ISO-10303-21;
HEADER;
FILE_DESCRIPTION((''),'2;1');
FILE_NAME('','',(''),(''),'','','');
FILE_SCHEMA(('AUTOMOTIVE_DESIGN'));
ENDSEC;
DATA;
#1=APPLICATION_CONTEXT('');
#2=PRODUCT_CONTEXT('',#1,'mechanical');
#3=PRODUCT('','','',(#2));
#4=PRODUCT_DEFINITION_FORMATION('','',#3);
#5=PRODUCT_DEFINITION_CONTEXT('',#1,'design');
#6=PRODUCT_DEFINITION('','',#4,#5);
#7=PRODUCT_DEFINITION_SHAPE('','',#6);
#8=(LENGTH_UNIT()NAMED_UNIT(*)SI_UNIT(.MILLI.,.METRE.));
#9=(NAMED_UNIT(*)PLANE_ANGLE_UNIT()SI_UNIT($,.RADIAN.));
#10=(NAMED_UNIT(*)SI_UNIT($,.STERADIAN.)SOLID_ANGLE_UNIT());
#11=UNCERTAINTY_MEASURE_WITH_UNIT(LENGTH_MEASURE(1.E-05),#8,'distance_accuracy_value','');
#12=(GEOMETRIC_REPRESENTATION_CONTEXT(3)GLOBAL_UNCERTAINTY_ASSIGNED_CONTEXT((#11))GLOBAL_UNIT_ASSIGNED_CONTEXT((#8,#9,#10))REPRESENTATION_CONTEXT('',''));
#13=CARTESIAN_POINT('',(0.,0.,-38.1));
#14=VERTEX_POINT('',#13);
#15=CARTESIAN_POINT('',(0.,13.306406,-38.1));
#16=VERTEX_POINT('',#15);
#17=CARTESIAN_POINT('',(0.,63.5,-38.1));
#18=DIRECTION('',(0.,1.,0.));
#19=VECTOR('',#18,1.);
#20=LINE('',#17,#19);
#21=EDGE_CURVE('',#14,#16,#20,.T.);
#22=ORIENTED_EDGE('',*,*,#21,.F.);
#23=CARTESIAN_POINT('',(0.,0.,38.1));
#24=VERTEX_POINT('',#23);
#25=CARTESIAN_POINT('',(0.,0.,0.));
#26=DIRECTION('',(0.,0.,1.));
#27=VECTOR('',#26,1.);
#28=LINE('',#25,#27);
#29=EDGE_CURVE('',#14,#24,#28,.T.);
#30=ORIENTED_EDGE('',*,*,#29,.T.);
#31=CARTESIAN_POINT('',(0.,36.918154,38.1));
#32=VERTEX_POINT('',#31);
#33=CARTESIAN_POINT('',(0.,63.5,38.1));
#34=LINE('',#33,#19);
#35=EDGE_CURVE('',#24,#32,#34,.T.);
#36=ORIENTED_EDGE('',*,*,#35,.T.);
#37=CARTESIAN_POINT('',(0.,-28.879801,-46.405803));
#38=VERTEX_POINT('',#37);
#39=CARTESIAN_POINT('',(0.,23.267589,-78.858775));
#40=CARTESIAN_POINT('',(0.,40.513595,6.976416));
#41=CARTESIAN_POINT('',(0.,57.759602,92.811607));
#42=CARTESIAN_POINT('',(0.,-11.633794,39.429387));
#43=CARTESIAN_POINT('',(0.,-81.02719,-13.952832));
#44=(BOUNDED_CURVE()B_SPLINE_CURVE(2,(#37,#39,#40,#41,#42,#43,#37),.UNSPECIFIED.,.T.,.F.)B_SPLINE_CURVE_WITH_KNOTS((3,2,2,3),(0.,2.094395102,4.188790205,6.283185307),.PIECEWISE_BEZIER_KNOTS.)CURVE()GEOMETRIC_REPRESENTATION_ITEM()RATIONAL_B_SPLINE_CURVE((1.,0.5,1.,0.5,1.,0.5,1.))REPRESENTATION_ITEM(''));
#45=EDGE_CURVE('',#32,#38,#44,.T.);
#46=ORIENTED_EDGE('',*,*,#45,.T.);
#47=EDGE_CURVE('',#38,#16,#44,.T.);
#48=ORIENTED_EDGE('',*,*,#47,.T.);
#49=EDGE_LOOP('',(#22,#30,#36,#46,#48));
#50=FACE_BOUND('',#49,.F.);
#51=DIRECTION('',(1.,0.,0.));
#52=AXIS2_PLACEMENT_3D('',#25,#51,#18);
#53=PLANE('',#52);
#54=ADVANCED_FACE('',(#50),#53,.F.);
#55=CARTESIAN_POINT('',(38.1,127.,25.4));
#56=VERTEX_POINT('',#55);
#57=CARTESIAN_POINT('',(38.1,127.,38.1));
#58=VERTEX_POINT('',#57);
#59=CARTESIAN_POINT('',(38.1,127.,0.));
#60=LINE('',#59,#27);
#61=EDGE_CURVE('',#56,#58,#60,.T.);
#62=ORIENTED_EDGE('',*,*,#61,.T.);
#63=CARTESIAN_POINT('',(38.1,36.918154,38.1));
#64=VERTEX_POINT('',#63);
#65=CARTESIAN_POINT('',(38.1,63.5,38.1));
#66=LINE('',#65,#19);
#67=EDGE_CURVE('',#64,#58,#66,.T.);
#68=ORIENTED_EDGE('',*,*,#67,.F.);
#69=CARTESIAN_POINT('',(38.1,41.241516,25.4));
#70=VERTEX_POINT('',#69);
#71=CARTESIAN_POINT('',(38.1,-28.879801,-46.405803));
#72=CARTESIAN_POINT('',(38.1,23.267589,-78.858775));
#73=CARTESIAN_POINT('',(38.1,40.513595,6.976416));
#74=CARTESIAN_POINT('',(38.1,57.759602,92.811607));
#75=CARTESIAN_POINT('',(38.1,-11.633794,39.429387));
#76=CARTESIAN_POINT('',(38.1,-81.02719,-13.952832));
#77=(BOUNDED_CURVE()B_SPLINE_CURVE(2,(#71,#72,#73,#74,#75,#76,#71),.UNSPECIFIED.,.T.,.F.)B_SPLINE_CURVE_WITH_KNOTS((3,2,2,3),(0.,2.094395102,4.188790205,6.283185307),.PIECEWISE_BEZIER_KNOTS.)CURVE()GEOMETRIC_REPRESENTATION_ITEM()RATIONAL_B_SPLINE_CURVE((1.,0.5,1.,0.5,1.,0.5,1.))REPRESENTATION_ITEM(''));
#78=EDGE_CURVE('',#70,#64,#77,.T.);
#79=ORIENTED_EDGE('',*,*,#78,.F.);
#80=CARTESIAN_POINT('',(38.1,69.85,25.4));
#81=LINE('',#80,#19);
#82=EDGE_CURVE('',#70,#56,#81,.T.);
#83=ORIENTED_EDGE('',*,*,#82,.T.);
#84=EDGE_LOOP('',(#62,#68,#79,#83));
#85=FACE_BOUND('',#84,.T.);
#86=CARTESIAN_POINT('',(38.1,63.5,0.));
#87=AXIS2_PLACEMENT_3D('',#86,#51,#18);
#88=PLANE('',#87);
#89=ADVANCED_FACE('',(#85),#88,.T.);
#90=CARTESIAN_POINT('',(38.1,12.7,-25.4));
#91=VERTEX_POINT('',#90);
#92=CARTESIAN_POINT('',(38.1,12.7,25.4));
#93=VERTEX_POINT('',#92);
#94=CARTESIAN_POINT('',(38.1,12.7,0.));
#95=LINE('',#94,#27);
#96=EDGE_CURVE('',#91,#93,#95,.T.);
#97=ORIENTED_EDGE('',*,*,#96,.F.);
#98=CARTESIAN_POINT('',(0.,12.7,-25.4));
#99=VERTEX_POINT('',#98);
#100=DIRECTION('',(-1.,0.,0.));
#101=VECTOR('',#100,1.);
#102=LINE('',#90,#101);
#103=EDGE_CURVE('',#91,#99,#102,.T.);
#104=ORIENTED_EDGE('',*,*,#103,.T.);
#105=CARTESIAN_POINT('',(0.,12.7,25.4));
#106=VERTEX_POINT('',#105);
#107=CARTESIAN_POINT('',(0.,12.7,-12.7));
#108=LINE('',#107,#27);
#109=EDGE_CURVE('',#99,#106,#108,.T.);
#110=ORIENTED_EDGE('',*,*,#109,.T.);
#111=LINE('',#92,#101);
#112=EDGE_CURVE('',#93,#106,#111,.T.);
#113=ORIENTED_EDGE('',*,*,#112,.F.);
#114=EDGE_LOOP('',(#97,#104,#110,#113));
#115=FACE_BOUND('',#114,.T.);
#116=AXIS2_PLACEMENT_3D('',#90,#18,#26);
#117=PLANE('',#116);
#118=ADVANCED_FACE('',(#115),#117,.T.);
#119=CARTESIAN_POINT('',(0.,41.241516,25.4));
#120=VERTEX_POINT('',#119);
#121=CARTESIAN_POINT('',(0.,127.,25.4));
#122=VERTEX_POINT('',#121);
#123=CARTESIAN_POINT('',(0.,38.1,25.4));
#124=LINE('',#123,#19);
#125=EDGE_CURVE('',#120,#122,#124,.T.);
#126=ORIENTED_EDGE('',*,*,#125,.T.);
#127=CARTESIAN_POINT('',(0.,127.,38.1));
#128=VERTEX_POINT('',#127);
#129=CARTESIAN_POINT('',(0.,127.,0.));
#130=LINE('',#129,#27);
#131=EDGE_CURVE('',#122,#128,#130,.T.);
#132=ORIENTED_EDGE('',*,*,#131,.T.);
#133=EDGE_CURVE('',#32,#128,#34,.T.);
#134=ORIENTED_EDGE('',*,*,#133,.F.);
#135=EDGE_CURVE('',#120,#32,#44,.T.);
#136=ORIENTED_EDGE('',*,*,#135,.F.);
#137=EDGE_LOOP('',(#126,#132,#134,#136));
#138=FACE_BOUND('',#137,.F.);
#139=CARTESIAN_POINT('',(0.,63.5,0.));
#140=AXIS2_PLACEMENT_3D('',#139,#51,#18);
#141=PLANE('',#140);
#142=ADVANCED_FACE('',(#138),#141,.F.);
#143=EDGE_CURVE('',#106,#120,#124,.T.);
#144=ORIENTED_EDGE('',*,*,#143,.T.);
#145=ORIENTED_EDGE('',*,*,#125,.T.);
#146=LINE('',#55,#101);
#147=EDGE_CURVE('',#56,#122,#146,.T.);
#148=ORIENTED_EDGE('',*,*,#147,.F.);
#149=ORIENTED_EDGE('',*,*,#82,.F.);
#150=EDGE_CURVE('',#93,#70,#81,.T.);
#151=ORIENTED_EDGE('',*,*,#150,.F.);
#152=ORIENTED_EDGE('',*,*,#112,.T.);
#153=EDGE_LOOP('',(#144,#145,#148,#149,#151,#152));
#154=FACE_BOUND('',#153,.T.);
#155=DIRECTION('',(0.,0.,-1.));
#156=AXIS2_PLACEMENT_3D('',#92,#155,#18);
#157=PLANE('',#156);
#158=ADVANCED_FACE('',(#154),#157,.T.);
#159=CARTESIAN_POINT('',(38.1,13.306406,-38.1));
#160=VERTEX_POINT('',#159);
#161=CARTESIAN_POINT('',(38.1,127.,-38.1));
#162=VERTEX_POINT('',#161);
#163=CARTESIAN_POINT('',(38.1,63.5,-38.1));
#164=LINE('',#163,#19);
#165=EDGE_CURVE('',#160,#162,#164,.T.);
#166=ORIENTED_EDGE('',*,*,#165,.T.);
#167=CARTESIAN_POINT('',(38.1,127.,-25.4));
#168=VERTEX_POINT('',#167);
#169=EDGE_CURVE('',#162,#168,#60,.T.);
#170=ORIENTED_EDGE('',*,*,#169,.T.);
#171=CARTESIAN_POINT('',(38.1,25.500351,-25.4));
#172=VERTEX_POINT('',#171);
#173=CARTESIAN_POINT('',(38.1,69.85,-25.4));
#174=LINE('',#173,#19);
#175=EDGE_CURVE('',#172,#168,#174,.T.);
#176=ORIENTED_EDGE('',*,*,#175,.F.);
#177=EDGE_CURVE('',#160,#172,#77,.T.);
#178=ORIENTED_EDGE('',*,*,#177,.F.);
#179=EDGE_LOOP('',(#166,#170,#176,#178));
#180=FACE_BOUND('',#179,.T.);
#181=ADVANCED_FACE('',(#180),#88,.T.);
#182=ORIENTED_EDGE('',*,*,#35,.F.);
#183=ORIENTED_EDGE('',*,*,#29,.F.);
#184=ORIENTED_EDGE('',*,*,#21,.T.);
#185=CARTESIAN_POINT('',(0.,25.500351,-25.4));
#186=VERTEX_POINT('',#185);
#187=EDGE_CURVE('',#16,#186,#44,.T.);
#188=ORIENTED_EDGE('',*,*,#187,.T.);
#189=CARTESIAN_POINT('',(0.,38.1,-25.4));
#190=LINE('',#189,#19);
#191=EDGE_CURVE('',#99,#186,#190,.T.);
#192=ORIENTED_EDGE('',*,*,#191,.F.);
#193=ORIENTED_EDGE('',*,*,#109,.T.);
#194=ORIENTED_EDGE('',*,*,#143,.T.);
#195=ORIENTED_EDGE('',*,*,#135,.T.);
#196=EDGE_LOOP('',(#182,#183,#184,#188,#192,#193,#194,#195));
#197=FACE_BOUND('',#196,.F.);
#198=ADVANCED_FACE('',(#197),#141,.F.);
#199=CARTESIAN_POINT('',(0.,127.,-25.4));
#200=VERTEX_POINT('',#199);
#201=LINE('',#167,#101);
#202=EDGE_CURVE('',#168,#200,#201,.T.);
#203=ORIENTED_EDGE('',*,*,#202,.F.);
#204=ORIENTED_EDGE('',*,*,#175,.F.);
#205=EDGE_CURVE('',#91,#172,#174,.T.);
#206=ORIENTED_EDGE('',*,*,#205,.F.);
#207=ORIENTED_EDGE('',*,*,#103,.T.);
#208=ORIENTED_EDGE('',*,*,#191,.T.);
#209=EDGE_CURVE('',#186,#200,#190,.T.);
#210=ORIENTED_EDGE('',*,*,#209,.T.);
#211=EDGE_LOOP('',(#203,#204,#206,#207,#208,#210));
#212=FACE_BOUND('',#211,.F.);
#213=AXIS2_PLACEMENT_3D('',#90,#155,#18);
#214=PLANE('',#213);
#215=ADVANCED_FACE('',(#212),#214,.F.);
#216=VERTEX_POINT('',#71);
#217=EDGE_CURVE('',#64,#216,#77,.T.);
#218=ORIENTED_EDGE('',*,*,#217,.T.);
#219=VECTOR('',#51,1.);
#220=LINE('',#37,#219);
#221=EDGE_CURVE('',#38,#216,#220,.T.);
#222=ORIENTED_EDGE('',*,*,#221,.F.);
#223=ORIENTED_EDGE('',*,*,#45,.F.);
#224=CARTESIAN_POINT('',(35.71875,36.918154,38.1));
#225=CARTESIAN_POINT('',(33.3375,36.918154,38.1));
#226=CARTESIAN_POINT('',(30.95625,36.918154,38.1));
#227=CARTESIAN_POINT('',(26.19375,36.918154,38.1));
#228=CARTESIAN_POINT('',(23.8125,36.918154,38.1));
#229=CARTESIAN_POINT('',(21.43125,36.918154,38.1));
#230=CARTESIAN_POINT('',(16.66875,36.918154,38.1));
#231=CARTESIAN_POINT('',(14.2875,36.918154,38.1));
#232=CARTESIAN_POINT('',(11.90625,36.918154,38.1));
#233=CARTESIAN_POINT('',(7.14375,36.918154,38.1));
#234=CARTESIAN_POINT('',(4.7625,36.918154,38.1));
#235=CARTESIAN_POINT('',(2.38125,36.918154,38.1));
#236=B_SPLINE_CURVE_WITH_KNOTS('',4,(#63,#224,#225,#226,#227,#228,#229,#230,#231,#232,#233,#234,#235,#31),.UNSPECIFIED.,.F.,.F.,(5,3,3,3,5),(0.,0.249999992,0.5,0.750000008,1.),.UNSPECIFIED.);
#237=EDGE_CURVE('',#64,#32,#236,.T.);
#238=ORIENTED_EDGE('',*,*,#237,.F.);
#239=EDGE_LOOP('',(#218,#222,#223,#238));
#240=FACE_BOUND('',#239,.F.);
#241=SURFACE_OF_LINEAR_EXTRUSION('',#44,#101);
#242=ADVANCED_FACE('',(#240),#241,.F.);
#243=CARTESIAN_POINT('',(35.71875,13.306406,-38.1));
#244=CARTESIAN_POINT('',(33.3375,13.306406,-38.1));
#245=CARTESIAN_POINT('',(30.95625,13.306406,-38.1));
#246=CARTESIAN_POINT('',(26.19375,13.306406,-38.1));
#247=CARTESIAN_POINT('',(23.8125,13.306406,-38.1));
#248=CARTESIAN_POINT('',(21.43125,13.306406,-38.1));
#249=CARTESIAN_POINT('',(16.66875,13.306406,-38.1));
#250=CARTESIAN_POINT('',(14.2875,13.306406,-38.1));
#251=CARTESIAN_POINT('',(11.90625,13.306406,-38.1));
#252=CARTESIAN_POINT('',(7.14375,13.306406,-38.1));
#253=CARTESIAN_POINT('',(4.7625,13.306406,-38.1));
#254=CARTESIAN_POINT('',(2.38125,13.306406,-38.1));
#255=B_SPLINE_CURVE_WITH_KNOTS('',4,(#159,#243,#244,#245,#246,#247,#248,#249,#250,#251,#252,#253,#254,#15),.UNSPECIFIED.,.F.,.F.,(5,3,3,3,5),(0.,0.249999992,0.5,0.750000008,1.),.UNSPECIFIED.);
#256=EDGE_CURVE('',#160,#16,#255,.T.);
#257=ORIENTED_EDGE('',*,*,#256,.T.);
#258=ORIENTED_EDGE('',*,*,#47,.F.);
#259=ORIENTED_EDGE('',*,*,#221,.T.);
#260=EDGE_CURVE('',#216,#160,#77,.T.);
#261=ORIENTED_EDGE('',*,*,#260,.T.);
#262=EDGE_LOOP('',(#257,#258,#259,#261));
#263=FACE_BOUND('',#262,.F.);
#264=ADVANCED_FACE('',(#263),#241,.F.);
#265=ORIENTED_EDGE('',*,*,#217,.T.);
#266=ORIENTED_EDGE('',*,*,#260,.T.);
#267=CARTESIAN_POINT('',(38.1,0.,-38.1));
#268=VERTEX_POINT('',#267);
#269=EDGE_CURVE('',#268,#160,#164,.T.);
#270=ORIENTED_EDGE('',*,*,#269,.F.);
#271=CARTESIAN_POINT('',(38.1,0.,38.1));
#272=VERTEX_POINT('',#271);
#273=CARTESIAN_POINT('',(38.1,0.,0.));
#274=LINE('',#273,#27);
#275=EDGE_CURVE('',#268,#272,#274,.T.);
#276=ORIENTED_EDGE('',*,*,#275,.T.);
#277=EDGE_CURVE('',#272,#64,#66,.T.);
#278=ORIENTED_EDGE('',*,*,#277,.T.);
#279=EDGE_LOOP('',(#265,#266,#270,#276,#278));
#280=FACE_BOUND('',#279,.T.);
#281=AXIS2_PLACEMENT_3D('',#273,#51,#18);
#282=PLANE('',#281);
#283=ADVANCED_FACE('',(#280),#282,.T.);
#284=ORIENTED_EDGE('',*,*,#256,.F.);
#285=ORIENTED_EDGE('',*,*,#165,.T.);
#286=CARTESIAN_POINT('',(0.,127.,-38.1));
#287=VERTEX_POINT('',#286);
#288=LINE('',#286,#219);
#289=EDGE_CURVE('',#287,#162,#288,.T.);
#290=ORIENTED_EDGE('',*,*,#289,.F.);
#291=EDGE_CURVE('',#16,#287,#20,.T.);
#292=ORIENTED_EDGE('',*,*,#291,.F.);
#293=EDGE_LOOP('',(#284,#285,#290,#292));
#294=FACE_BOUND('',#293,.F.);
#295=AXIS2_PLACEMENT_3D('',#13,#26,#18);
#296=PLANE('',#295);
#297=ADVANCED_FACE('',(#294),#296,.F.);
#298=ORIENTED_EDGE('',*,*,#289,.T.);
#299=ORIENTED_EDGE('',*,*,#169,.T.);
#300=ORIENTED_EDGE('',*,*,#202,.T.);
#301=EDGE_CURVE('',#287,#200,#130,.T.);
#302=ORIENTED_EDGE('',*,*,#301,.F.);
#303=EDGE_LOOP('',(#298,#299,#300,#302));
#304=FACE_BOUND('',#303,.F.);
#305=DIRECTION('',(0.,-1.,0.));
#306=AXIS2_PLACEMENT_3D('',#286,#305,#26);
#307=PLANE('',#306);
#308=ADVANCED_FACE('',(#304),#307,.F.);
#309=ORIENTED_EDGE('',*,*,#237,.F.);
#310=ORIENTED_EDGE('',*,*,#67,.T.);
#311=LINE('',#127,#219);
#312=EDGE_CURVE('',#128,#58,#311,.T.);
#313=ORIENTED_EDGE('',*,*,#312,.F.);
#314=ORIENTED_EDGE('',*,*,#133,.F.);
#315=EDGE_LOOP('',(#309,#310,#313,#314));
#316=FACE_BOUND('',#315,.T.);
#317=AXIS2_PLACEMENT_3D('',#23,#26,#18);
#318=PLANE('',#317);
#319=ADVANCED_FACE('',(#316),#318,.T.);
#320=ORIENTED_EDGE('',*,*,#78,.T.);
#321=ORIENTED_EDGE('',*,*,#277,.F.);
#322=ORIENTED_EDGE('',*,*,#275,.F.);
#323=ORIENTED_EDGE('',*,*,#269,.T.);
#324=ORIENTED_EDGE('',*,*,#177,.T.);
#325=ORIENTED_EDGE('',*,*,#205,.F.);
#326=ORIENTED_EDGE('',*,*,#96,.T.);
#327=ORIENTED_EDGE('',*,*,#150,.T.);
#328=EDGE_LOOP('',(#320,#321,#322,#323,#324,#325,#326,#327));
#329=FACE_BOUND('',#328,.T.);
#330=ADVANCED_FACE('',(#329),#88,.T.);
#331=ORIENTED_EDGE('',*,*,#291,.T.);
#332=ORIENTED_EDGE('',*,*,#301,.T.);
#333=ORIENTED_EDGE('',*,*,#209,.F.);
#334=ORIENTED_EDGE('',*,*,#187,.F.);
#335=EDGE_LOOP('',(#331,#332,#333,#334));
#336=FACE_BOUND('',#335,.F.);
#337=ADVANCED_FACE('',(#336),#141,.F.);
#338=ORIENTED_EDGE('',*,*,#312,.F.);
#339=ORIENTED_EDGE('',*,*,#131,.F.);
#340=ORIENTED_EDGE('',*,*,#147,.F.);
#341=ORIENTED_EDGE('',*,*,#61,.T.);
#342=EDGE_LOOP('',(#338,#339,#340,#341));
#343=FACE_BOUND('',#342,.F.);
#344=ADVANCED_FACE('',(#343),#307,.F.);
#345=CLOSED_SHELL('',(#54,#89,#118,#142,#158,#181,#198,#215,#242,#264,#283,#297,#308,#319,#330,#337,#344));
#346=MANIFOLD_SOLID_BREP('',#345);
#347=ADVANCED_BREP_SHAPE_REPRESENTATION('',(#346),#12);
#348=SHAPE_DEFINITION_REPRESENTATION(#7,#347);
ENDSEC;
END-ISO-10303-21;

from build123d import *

# Parameters (mm, degrees)
F0_W     = 127
F0_H     = 76.2
F1_DEPTH = 38.1
F5_DEPTH = 38.1
F3_W     = 114.3
F3_H     = 50.8
F6_DEPTH = 38.1010001


with BuildPart() as f1:
    # F0 (on Right) → F1 (new body)
    with BuildSketch(Plane.YZ):
        with Locations((63.5, 0)):
            Rectangle(F0_W, F0_H)
    extrude(amount=F1_DEPTH)

    # F4 (on Right) → F5 (join, through all)
    with BuildSketch(Plane.YZ):
        with BuildLine():
            add(Edge.make_bspline(
                [(-28.8798008114, -46.4058034122), (23.2675885804, -78.8587749747), (40.5135951016, 6.9764159249), (57.7596016228, 92.8116068244), (-11.6337942902, 39.4293874873), (-81.0271902032, -13.9528318497), (-28.8798008114, -46.4058034122)],
                knots=[0, 0, 0, 2.0943951024, 2.0943951024, 4.1887902048, 4.1887902048, 6.2831853072, 6.2831853072, 6.2831853072], degree=2, weights=[1, 0.5, 1, 0.5, 1, 0.5, 1]))
        make_face()
    extrude(amount=F5_DEPTH)

    # F3 (on face) → F6 (cut, through all)
    with BuildSketch(Plane.YZ.offset(38.1)):
        with Locations((69.85, 0)):
            Rectangle(F3_W, F3_H)
    extrude(amount=-F6_DEPTH, mode=Mode.SUBTRACT)


solid = f1.part
